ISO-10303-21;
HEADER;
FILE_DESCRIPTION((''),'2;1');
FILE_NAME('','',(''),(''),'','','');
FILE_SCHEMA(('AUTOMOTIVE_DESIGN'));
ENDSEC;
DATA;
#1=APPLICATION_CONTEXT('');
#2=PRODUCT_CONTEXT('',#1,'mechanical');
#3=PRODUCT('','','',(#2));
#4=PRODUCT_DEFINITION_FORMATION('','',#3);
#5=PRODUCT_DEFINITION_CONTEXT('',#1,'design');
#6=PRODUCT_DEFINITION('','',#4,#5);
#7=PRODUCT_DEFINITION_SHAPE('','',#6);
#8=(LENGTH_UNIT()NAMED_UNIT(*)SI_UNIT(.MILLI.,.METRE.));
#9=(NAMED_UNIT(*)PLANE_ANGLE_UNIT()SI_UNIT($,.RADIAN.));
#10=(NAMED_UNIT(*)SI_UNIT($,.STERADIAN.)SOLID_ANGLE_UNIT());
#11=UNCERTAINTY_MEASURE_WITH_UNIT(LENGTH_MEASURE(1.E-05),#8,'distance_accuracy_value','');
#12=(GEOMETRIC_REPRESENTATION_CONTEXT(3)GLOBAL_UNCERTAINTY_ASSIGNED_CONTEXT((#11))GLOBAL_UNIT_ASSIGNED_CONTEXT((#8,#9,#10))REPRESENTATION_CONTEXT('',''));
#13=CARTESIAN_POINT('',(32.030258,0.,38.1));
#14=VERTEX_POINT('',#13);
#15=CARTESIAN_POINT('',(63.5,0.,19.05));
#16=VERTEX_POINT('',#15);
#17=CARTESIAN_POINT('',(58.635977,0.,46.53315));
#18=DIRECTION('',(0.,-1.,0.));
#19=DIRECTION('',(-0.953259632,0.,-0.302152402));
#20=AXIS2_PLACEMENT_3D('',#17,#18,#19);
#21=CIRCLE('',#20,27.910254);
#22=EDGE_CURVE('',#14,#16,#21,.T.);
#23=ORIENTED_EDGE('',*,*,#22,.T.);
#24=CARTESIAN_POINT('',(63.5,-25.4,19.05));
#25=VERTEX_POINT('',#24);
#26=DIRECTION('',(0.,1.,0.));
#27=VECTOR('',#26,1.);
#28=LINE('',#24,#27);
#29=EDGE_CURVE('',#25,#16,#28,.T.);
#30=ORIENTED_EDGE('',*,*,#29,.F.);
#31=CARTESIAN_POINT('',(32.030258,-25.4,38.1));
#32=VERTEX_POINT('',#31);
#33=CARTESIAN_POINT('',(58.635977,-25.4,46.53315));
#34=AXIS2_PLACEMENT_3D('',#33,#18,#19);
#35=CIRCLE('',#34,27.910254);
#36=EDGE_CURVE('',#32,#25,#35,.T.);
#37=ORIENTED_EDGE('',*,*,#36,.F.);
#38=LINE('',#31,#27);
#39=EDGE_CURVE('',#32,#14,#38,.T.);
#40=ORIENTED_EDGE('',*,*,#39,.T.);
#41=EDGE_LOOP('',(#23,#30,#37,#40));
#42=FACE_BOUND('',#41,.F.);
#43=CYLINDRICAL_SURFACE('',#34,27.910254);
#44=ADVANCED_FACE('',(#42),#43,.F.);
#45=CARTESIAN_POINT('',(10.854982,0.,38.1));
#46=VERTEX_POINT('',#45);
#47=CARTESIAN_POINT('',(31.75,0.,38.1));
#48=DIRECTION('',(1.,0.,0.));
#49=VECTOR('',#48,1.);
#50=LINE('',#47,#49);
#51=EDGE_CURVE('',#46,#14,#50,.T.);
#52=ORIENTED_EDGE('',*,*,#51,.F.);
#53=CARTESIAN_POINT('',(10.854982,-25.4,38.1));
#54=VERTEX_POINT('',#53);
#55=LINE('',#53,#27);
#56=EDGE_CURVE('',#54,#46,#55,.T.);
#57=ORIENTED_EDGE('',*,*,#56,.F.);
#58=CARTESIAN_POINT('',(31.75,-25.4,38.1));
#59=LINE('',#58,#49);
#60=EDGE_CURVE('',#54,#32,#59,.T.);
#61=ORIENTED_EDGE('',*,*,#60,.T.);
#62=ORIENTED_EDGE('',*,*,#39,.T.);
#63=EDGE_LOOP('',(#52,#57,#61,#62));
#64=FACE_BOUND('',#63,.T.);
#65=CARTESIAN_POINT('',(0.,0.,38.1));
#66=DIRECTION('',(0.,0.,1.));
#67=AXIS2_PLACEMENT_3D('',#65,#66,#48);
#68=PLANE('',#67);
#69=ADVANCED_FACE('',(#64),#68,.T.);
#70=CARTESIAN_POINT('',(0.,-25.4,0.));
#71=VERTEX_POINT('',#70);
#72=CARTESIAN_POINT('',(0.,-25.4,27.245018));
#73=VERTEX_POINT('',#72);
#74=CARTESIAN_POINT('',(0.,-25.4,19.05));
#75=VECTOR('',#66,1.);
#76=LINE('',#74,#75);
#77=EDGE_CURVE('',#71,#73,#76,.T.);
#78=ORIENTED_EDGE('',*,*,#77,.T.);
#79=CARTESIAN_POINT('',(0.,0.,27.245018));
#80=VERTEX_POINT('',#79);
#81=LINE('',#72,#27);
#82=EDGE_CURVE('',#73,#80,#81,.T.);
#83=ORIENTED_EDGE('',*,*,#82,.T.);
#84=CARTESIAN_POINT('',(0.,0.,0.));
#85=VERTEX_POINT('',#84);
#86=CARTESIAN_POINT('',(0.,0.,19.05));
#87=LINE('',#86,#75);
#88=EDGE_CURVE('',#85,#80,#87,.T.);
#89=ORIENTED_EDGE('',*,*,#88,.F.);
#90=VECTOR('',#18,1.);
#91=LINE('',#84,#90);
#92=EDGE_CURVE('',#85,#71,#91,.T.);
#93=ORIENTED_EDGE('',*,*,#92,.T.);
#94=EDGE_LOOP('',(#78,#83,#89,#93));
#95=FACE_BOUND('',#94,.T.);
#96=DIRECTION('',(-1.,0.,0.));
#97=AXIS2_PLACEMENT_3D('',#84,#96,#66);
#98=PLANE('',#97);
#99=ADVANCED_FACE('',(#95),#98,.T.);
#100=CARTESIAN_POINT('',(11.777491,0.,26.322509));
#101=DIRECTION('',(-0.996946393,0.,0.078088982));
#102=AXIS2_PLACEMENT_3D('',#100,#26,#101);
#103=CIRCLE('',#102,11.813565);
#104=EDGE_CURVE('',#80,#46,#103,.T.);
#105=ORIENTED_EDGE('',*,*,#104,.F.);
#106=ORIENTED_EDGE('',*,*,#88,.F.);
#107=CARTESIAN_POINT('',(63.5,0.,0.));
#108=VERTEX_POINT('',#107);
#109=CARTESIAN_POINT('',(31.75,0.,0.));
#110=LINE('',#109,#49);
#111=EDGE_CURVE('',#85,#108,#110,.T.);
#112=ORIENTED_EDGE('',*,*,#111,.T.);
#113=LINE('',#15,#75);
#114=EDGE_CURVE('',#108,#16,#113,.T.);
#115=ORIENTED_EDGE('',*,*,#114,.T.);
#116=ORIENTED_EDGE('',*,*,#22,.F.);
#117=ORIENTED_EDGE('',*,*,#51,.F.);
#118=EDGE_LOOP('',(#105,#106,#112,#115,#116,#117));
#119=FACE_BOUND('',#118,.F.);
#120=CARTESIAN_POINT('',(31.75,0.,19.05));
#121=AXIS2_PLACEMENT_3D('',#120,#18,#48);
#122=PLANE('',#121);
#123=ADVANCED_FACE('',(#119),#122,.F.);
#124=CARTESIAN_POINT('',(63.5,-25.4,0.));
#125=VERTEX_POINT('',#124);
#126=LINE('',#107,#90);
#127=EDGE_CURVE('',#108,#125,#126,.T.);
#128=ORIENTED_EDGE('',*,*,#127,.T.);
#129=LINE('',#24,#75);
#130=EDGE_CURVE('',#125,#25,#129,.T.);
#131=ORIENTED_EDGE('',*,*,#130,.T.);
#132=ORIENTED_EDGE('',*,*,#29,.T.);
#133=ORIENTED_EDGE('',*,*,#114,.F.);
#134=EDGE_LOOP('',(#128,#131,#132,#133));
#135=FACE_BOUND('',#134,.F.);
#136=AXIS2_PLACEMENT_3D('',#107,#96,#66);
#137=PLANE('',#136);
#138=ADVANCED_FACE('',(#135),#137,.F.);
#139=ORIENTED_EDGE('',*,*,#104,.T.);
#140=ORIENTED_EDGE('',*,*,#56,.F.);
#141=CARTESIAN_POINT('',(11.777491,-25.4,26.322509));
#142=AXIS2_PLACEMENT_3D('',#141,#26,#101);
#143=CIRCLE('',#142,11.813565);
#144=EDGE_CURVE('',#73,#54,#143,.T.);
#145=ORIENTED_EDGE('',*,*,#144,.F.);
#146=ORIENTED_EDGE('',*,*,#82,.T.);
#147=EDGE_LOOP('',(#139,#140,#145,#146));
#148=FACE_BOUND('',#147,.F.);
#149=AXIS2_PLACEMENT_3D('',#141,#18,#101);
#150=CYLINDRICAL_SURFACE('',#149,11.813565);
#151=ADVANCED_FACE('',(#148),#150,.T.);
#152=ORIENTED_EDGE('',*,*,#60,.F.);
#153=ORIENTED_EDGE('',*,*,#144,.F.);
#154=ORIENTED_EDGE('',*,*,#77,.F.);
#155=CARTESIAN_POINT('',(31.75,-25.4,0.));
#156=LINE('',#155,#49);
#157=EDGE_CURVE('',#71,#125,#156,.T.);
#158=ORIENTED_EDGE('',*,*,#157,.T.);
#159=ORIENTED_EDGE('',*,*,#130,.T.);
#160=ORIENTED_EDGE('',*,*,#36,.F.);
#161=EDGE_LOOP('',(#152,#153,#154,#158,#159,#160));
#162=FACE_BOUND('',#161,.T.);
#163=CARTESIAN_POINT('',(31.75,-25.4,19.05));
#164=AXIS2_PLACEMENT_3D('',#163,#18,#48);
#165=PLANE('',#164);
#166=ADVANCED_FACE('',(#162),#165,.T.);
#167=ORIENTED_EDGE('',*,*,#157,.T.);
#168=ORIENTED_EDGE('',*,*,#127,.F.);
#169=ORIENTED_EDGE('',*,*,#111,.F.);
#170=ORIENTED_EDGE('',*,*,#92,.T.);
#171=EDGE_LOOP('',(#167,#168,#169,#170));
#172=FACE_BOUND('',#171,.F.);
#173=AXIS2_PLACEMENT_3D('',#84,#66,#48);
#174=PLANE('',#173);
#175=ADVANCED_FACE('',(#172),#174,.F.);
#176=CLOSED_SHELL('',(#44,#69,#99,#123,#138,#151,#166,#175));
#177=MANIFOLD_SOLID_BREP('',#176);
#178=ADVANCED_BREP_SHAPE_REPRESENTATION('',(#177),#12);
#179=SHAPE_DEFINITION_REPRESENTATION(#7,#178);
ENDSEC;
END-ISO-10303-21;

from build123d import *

# Parameters (mm, degrees)
F0_W     = 63.5
F0_H     = 38.1
F1_DEPTH = 25.4
F3_DEPTH = 25.4
F5_DEPTH = 25.4


with BuildPart() as f1:
    # F0 (on Front) → F1 (new body)
    with BuildSketch(Plane.XZ):
        with Locations((31.75, 19.05)):
            Rectangle(F0_W, F0_H)
    extrude(amount=F1_DEPTH)

    # F2 (on face) → F3 (cut)
    with BuildSketch(Plane.XZ.offset(25.4)):
        with BuildLine():
            ThreePointArc((0, 27.2450184846), (3.4240390206, 34.6759609794), (10.8549815154, 38.1))
            Line((10.8549815154, 38.1), (0, 38.1))
            Line((0, 38.1), (0, 27.2450184846))
        make_face()
    extrude(amount=-F3_DEPTH, mode=Mode.SUBTRACT)

    # F4 (on face) → F5 (cut)
    with BuildSketch(Plane.XZ.offset(25.4)):
        with BuildLine():
            Line((63.5, 19.05), (63.5, 38.1))
            Line((63.5, 38.1), (32.0302583277, 38.1))
            ThreePointArc((32.0302583277, 38.1), (44.1825704722, 22.6567744591), (63.5, 19.05))
        make_face()
    extrude(amount=-F5_DEPTH, mode=Mode.SUBTRACT)


solid = f1.part
